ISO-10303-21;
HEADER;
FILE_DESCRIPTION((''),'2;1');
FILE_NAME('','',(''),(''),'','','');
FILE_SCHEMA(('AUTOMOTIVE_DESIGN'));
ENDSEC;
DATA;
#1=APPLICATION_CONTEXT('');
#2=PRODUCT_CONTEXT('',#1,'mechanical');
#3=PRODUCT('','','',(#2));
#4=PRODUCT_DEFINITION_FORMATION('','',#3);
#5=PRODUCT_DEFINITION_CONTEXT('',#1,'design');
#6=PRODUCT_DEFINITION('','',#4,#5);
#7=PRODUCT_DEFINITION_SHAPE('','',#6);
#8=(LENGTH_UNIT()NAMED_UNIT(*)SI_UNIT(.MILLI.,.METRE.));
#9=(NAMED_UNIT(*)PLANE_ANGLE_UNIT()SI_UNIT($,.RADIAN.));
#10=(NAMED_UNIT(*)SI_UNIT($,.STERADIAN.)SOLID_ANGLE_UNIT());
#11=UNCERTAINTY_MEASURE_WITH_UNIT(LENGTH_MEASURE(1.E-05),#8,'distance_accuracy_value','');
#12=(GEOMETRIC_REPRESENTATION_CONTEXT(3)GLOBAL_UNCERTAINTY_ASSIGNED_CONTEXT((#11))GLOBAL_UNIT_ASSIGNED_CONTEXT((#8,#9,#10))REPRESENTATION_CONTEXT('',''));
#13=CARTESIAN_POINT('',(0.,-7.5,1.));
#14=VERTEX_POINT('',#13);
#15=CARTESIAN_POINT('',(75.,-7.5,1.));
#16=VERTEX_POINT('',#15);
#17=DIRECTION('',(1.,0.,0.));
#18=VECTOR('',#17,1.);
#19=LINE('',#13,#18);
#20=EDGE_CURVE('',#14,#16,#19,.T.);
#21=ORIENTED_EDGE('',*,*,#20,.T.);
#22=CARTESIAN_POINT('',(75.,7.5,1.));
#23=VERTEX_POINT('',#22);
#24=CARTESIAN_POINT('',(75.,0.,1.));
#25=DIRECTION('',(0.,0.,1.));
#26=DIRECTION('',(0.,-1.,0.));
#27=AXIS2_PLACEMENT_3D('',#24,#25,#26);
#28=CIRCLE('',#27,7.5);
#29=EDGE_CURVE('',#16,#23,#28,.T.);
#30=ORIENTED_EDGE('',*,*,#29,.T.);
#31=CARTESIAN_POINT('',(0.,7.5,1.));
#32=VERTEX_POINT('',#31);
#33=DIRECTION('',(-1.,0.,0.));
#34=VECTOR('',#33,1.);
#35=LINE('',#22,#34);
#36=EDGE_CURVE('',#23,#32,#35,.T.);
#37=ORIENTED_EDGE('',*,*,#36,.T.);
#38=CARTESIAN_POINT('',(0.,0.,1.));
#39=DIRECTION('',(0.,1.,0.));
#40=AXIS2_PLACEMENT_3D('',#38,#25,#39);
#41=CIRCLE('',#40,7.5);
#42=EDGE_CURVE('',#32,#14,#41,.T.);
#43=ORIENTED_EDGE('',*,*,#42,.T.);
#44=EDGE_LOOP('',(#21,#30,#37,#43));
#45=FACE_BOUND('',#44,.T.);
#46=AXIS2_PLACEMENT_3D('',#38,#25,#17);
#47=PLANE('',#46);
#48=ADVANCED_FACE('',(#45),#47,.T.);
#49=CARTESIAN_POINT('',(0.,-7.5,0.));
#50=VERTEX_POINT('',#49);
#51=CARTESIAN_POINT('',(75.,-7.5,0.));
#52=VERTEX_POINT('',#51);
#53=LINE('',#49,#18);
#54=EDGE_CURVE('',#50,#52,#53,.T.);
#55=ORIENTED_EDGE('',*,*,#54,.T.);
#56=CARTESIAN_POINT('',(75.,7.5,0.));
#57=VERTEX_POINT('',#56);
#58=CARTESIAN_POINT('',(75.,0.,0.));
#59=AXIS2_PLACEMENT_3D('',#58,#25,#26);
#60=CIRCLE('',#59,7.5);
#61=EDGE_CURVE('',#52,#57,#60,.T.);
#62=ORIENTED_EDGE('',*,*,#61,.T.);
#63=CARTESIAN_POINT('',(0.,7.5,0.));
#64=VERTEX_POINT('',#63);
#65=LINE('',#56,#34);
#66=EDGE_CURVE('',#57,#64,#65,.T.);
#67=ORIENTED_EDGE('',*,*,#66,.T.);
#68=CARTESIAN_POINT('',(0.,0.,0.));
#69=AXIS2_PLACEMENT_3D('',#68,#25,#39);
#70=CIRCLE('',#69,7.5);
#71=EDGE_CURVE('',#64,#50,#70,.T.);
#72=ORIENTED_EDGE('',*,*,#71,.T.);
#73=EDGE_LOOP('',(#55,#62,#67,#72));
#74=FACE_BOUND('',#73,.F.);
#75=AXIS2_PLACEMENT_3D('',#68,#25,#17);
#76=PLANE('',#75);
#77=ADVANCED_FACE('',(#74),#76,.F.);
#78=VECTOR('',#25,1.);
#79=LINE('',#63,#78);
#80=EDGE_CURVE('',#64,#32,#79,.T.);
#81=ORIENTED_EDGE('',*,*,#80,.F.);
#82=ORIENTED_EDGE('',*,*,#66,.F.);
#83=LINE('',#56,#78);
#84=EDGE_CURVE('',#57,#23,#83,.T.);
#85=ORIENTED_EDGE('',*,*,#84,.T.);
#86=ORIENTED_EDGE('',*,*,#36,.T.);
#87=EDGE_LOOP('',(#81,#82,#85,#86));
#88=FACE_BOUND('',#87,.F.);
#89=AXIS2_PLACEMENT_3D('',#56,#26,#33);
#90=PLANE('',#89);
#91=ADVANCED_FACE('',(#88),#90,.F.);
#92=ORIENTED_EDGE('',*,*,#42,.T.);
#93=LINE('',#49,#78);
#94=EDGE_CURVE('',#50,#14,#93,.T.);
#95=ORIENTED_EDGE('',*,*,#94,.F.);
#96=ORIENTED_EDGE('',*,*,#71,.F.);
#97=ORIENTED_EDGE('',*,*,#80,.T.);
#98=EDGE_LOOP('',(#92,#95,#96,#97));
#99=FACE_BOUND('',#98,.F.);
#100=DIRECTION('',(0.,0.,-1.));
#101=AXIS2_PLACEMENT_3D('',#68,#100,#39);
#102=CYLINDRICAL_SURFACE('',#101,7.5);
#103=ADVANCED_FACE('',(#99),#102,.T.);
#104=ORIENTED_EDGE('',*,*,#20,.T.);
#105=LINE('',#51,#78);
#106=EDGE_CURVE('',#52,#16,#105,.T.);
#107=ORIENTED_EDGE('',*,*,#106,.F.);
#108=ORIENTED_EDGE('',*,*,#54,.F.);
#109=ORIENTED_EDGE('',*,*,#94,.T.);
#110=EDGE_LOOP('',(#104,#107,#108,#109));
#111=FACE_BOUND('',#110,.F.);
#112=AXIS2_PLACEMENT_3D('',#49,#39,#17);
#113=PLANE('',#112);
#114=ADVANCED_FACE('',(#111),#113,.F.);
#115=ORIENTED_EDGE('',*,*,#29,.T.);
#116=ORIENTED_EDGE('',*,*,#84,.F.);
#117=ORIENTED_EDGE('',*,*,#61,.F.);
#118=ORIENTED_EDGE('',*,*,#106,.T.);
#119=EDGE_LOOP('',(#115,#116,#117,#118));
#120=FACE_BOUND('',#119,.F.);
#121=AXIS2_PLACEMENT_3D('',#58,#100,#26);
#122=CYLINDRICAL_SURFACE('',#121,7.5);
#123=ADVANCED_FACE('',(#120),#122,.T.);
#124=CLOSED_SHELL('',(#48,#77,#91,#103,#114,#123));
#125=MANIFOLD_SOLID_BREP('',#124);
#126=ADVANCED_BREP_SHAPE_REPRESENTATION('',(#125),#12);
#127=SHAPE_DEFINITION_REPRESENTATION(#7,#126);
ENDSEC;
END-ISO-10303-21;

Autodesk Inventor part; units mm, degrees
ref_plane "YZ Plane" through (0, 0, 0) normal (1, 0, 0) x (0, 1, 0)
ref_plane "XZ Plane" through (0, 0, 0) normal (0, 1, 0) x (-1, 0, 0)
ref_plane "XY Plane" through (0, 0, 0) normal (0, 0, 1) x (1, 0, 0)
sketch "草图1" plane through (0, 0, 0) normal (0, 0, 1) x (1, 0, 0)
  line L0 (0, 0) -> (75, 0) construction
  line L1 (0, -7.5) -> (75, -7.5)
  line L2 (75, 7.5) -> (0, 7.5)
  arc A0 (0, 7.5) -> (0, -7.5) centre (0, 0) ccw
  arc A1 (75, -7.5) -> (75, 7.5) centre (75, 0) ccw
  point P0 (37.5, 0)
  dimension "d0" = 75
  dimension "d1" = 15
extrude "拉伸1" add sketch "草图1" along normal blind 1
properties part number "小臂01"
